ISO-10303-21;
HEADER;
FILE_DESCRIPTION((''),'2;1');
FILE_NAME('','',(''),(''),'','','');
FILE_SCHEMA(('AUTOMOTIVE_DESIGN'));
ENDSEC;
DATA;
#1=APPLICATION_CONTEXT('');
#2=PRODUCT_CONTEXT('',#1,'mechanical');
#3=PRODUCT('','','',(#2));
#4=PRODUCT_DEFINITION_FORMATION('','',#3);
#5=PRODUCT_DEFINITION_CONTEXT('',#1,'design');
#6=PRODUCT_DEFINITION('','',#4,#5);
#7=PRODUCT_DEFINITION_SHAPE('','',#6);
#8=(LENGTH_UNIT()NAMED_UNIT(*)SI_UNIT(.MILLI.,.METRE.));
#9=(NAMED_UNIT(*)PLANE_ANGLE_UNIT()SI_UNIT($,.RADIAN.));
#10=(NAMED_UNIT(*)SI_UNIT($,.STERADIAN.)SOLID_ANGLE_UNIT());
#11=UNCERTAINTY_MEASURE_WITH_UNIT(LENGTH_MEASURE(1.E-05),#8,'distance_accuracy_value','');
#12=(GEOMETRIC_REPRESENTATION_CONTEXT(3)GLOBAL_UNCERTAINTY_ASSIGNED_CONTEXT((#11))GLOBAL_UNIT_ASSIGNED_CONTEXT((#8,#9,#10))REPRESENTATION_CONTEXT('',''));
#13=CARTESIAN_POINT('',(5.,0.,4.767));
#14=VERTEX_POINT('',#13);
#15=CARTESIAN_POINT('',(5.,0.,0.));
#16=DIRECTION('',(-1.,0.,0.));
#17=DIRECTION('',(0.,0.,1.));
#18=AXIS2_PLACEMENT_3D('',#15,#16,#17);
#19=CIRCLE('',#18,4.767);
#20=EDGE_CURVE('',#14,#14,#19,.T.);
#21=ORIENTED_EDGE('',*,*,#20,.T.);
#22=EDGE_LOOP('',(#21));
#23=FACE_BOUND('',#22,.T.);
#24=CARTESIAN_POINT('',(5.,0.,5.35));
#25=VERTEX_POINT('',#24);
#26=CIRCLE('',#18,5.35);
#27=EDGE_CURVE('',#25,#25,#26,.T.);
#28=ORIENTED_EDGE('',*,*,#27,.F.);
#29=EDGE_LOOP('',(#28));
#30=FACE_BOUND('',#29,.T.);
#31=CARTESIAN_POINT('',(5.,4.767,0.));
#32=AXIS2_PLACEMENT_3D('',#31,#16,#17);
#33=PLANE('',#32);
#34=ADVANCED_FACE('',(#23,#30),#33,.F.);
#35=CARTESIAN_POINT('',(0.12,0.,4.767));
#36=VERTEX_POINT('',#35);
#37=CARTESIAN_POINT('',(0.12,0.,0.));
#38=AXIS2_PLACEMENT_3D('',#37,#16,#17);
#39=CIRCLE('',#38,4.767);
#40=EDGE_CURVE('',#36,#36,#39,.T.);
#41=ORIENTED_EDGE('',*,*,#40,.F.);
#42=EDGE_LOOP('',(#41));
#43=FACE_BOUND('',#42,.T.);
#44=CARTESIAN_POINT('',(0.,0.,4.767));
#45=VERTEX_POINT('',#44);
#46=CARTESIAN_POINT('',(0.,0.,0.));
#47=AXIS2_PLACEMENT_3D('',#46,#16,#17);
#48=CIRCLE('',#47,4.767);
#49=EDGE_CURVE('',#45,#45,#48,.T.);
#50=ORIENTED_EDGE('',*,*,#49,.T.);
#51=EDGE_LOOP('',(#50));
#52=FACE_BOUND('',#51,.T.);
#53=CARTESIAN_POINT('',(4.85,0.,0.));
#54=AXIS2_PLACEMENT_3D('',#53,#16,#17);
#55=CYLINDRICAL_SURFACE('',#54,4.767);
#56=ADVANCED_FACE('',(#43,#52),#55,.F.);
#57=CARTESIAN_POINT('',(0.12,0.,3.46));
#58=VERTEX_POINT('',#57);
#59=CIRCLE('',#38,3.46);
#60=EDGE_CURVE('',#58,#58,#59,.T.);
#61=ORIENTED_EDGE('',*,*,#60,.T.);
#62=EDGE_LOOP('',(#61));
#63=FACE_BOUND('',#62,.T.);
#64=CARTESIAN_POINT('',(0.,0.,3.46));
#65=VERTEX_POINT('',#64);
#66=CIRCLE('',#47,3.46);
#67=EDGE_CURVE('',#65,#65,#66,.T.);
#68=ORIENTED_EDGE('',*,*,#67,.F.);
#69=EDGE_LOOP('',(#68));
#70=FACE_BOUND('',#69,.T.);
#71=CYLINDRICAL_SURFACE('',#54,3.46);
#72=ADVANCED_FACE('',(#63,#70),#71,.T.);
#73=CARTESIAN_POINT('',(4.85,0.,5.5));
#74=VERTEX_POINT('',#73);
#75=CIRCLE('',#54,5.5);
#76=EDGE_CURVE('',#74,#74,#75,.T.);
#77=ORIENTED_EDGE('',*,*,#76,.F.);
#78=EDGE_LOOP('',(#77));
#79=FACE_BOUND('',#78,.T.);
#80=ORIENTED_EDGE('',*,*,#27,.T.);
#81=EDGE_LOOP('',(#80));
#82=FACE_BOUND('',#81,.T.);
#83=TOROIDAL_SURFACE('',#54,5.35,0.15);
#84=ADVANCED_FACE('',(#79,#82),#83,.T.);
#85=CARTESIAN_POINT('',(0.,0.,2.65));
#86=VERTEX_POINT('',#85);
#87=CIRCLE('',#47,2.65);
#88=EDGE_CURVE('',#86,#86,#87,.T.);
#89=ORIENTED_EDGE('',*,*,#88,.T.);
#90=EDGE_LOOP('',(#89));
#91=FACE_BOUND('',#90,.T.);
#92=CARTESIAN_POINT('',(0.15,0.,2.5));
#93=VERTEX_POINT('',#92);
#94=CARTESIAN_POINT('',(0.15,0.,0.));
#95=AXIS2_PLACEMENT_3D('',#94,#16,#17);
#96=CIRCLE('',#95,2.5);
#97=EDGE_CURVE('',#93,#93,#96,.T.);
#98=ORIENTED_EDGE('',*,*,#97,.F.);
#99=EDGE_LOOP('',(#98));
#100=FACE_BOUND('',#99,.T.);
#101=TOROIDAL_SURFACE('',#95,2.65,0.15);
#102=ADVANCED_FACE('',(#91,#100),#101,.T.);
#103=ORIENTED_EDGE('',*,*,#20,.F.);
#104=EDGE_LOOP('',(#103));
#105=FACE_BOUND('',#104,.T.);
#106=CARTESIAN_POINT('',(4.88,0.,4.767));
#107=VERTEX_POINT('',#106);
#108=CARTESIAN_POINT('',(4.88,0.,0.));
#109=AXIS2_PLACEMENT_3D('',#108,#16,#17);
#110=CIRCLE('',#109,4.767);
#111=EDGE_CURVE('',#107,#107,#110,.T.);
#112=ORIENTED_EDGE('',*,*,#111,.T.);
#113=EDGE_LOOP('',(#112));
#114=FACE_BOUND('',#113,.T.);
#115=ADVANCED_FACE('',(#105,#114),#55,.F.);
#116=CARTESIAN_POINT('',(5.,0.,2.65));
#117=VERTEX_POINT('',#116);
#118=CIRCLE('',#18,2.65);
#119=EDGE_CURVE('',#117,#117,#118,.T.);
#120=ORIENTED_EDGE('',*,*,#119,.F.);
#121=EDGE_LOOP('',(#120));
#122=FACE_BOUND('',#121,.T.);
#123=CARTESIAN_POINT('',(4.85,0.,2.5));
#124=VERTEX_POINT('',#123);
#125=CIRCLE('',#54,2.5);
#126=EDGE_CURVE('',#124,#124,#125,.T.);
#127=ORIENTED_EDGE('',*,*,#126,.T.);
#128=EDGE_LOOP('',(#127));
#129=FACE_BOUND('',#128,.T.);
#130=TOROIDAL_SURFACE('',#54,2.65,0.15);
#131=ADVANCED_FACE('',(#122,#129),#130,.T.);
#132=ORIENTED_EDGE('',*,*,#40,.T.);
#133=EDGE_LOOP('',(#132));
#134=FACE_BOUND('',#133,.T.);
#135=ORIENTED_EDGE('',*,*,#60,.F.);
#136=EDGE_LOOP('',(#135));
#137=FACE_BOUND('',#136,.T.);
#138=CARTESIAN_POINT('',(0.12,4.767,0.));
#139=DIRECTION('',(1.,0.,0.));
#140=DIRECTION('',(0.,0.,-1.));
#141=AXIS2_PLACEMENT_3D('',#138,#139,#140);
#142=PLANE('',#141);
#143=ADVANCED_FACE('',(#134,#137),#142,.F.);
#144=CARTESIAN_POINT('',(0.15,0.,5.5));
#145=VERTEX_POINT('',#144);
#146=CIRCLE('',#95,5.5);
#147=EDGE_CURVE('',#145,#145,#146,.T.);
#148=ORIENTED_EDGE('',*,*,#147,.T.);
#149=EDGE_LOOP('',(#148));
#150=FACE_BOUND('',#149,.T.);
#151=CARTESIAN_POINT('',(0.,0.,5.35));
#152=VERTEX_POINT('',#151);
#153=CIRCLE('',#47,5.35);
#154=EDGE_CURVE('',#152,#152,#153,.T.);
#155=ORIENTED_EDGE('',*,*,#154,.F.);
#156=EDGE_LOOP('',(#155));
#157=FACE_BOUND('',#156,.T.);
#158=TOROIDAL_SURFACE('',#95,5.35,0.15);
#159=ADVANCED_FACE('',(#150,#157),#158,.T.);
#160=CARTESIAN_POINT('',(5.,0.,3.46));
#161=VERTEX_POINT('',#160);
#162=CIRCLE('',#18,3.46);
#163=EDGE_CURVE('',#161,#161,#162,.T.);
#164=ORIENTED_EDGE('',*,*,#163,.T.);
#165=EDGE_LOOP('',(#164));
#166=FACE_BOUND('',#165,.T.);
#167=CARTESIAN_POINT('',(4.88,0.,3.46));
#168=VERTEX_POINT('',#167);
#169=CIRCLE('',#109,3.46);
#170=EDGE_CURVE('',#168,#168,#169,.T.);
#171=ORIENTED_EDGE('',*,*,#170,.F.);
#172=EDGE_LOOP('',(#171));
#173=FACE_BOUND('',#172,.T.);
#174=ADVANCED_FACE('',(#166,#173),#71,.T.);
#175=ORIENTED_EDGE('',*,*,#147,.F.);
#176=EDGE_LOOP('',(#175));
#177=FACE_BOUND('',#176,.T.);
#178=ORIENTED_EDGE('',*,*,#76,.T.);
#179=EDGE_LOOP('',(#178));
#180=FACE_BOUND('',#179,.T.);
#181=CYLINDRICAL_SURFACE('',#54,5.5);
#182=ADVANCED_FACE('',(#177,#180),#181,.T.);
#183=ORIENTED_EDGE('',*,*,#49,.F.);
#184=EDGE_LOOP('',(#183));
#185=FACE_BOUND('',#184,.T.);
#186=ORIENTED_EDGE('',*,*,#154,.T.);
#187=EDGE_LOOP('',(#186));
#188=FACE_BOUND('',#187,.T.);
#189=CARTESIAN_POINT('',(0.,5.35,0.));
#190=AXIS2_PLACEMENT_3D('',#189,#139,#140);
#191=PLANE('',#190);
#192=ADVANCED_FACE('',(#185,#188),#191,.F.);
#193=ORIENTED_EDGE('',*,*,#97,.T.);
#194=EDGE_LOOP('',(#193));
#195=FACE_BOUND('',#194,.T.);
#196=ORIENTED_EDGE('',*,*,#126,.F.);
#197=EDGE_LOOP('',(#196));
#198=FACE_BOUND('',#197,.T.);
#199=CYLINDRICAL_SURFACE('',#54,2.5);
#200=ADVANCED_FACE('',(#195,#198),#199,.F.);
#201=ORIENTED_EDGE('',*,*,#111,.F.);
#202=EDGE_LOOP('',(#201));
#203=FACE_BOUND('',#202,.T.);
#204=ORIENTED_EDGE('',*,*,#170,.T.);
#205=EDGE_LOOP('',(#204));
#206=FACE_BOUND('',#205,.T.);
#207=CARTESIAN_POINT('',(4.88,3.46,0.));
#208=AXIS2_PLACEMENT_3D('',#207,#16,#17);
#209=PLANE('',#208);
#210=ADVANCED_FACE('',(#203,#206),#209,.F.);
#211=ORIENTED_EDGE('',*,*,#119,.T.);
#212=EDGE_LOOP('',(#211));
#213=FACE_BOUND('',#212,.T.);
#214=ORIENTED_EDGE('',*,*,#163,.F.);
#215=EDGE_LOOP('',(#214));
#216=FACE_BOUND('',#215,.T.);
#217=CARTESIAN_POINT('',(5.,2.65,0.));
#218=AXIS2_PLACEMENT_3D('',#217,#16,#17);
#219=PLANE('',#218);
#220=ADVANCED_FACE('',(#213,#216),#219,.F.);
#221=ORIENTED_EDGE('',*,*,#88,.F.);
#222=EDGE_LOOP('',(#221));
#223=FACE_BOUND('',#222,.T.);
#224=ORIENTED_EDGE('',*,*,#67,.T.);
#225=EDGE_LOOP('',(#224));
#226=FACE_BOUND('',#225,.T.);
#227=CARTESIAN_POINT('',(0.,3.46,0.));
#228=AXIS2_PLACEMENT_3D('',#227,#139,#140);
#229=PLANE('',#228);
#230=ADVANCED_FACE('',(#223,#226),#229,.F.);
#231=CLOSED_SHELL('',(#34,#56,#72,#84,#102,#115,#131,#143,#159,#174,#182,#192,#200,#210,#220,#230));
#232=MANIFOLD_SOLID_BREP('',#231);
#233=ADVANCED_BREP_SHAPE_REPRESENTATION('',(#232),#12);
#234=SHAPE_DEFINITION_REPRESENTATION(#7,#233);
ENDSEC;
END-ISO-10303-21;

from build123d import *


with BuildPart() as part:
    # Sketch1 → Revolve1 (revolve)
    with BuildSketch(Plane.XY):
        with BuildLine():
            Line((0, 5.35), (0, 4.767))
            Line((0, 4.767), (0.12, 4.767))
            Line((0.12, 4.767), (0.12, 3.46))
            Line((0.12, 3.46), (0, 3.46))
            Line((0, 3.46), (0, 2.65))
            ThreePointArc((0, 2.65), (0.043933983, 2.543933983), (0.15, 2.5))
            Line((0.15, 2.5), (4.85, 2.5))
            ThreePointArc((4.85, 2.5), (4.956066017, 2.543933983), (5, 2.65))
            Line((5, 2.65), (5, 3.46))
            Line((5, 3.46), (4.88, 3.46))
            Line((4.88, 3.46), (4.88, 4.767))
            Line((4.88, 4.767), (5, 4.767))
            Line((5, 4.767), (5, 5.35))
            ThreePointArc((5, 5.35), (4.956066017, 5.456066017), (4.85, 5.5))
            Line((4.85, 5.5), (0.15, 5.5))
            ThreePointArc((0.15, 5.5), (0.043933983, 5.456066017), (0, 5.35))
        make_face()
    revolve(axis=Axis((4.85, 0, 0), (-1, 0, 0)))


solid = part.part
